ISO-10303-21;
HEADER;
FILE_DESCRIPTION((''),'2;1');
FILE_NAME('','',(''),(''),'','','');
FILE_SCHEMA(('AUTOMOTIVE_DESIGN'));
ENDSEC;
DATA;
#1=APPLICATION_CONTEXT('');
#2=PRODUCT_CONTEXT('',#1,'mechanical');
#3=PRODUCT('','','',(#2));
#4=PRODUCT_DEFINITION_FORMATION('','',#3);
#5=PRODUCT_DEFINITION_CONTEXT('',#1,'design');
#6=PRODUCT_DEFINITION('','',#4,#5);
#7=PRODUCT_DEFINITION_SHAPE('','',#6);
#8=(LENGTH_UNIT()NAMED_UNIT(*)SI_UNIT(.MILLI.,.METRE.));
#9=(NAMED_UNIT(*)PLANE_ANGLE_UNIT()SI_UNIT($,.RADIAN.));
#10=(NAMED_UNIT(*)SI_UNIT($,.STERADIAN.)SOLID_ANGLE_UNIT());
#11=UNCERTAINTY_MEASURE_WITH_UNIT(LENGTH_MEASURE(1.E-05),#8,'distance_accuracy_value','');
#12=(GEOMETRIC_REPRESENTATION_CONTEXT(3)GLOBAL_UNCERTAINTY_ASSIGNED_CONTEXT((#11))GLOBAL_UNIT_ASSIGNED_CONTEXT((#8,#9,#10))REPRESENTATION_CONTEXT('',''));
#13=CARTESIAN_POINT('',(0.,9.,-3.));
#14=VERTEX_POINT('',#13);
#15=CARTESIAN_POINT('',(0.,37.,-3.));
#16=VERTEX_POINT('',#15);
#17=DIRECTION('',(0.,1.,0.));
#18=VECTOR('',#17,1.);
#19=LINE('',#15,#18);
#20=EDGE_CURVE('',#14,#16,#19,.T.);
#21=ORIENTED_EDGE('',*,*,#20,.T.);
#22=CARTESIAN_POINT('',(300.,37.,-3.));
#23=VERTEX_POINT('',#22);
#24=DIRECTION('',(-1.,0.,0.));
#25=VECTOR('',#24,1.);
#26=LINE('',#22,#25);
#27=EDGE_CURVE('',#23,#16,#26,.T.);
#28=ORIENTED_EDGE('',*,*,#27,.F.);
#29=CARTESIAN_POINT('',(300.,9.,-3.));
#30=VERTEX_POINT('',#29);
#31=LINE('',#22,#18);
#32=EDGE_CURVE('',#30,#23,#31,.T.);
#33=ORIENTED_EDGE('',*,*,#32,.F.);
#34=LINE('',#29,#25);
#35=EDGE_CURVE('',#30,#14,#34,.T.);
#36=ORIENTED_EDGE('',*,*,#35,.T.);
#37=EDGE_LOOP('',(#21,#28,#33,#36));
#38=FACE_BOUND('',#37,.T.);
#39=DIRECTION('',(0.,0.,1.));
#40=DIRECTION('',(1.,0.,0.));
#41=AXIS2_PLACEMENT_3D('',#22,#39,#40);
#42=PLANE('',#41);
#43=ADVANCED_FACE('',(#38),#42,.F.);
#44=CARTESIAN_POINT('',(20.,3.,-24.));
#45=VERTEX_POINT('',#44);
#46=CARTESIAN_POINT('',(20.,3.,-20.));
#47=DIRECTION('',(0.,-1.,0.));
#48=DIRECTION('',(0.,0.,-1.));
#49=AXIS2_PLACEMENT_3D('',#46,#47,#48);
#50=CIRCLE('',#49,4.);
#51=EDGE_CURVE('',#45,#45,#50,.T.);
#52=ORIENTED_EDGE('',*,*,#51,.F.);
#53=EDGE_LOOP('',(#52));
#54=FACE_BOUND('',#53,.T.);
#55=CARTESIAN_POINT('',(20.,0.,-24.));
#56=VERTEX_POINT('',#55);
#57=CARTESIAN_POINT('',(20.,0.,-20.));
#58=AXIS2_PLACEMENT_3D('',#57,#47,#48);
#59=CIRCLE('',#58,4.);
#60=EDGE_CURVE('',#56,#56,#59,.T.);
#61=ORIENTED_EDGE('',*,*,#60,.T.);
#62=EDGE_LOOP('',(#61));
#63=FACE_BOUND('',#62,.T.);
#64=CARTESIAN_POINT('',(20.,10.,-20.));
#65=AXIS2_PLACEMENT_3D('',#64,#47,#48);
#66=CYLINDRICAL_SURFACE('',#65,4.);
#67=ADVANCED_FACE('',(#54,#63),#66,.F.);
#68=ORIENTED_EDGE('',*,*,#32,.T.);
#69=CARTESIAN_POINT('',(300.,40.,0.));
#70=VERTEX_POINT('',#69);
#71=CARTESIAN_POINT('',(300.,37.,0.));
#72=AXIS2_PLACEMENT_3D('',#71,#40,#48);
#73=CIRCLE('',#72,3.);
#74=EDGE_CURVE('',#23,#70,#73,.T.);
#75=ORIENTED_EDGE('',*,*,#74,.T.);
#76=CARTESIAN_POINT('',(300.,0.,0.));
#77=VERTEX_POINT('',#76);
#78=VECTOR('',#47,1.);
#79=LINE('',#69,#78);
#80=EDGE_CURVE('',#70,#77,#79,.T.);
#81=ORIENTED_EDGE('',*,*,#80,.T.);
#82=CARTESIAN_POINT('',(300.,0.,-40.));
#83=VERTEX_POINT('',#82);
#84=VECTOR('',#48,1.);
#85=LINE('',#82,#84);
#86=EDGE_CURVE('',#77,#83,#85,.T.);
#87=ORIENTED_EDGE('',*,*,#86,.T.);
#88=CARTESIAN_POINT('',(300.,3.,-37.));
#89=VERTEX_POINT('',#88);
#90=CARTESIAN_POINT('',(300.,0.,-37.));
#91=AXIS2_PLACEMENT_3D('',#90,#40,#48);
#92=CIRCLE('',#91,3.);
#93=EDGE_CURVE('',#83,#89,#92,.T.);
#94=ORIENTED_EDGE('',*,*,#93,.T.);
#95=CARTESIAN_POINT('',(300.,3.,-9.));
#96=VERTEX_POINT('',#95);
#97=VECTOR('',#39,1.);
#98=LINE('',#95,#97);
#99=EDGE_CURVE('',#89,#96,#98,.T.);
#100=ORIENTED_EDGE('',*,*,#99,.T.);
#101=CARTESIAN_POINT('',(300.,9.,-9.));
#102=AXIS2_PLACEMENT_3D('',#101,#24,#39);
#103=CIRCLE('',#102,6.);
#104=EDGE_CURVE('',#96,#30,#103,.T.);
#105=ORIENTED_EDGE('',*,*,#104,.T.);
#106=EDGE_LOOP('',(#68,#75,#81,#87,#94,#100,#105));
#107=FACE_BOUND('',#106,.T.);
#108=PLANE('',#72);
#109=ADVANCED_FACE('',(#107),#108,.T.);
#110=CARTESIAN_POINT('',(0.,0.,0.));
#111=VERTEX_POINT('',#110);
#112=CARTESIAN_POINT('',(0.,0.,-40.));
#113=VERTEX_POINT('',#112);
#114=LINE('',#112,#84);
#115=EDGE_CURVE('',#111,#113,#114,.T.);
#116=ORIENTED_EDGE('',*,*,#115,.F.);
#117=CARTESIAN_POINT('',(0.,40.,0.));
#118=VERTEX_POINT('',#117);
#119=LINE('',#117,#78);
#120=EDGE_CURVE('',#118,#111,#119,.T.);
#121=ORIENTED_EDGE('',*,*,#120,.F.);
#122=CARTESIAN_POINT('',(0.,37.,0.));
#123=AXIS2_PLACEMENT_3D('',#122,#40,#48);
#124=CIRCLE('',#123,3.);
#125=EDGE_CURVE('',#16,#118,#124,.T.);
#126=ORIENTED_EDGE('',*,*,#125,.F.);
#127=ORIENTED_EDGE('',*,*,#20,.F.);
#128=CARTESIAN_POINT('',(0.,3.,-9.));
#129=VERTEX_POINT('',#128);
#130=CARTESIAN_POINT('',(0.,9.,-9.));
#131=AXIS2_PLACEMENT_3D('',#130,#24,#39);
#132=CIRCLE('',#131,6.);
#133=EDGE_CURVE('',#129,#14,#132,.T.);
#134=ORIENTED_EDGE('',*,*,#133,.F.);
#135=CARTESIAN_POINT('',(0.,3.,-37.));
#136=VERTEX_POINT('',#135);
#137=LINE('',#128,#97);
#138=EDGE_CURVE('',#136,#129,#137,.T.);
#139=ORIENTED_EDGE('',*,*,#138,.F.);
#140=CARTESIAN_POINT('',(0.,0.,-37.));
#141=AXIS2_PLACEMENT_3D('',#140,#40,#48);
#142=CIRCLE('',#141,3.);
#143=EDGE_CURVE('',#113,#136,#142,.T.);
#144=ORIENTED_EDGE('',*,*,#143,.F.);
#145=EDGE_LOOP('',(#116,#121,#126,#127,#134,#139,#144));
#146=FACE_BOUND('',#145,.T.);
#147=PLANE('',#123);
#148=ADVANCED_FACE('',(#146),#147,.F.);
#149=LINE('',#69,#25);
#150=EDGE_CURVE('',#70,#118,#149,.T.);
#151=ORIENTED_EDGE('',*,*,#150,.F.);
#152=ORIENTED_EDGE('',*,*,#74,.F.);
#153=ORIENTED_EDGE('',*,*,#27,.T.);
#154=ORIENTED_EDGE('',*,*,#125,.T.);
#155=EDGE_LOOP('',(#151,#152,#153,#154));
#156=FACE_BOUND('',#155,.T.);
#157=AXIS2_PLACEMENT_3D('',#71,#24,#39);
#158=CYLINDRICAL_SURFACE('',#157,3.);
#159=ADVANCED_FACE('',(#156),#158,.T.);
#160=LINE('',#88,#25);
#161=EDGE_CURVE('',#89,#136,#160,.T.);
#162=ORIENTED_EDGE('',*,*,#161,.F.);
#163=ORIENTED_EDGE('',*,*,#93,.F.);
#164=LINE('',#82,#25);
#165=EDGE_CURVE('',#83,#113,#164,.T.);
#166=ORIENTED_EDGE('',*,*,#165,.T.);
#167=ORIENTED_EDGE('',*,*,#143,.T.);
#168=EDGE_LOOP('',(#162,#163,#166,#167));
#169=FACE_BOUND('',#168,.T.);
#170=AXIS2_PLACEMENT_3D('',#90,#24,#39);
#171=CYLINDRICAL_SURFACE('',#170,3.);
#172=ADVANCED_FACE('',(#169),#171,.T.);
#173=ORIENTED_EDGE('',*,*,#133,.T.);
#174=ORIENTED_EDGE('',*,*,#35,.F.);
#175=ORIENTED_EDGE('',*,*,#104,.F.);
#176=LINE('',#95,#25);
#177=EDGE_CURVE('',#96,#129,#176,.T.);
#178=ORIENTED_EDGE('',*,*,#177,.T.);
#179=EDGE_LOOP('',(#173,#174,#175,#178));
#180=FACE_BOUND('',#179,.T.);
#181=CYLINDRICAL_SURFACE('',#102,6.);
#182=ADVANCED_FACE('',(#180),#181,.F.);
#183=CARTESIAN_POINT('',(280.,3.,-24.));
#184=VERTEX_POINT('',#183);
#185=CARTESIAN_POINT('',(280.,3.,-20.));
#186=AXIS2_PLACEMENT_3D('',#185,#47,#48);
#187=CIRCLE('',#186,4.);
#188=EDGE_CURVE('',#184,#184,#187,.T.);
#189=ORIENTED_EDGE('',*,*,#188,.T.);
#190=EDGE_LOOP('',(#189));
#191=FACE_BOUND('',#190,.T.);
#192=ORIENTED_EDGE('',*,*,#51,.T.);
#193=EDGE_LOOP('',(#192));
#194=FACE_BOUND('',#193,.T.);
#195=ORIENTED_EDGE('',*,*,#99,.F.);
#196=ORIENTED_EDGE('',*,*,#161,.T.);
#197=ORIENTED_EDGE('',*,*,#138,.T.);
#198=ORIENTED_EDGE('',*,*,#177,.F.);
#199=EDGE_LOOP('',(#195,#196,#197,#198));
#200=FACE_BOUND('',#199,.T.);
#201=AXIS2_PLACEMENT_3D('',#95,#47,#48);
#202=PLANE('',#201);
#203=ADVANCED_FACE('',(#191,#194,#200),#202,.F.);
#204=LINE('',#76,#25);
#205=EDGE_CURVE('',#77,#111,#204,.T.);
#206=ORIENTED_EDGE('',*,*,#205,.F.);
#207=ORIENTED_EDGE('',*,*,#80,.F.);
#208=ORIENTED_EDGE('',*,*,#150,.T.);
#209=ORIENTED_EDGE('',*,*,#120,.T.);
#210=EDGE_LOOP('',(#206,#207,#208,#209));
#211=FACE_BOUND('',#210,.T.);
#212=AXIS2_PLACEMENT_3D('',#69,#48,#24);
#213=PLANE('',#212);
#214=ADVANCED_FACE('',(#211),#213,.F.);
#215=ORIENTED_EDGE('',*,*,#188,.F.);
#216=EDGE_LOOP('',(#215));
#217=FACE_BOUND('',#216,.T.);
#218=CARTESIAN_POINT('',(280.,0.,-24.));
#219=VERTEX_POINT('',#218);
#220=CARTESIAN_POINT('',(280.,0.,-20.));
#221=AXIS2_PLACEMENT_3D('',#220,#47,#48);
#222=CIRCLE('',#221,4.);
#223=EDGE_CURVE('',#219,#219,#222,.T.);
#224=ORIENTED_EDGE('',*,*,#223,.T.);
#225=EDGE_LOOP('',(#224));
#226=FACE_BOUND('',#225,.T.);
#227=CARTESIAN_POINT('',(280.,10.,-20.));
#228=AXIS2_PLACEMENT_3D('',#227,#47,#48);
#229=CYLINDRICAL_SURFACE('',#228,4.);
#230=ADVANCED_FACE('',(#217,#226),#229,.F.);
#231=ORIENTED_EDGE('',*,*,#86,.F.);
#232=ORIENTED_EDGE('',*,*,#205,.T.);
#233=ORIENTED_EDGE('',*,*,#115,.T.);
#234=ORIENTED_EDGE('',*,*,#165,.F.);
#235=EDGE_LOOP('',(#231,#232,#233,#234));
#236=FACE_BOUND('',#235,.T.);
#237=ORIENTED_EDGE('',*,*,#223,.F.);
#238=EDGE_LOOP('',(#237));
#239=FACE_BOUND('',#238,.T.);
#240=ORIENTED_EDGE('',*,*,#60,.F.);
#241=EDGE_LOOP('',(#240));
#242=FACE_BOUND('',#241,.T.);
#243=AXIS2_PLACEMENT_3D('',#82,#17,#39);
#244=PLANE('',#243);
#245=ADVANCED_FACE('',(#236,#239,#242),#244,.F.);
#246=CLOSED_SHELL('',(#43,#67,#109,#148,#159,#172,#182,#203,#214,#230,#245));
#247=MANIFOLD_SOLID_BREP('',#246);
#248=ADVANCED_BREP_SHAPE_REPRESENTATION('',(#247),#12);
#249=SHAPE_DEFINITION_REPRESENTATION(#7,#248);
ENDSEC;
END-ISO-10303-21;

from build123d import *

# Parameters (mm, degrees)
L_ANGLE_EQUAL_40X40X3_3_DEPTH = 300
SKETCH14_R                    = 4
CUT_EXTRUDE1_DEPTH            = 10


with BuildPart() as part:
    # Sketch13 → L angle (equal) 40X40X3(3) (new body)
    with BuildSketch(Plane(origin=(0, 0, 0), x_dir=(0, 0, -1), z_dir=(1, 0, 0))):
        with BuildLine():
            Line((0, 40), (0, 0))
            Line((0, 0), (40, 0))
            ThreePointArc((40, 0), (39.121320344, 2.121320344), (37, 3))
            Line((37, 3), (9, 3))
            ThreePointArc((9, 3), (4.757359313, 4.757359313), (3, 9))
            Line((3, 9), (3, 37))
            ThreePointArc((3, 37), (2.121320344, 39.121320344), (0, 40))
        make_face()
    extrude(amount=L_ANGLE_EQUAL_40X40X3_3_DEPTH)

    # Sketch14 → Cut-Extrude1 (cut)
    with BuildSketch(Plane(origin=(0, 0, 0), x_dir=(-1, 0, 0), z_dir=(0, -1, 0))):
        with Locations(Location((-280, 20, 0), (0, 0, 90))):
            Circle(SKETCH14_R)
        with Locations(Location((-20, 20, 0), (0, 0, 90))):
            Circle(SKETCH14_R)
    extrude(amount=-CUT_EXTRUDE1_DEPTH, mode=Mode.SUBTRACT)


solid = part.part
